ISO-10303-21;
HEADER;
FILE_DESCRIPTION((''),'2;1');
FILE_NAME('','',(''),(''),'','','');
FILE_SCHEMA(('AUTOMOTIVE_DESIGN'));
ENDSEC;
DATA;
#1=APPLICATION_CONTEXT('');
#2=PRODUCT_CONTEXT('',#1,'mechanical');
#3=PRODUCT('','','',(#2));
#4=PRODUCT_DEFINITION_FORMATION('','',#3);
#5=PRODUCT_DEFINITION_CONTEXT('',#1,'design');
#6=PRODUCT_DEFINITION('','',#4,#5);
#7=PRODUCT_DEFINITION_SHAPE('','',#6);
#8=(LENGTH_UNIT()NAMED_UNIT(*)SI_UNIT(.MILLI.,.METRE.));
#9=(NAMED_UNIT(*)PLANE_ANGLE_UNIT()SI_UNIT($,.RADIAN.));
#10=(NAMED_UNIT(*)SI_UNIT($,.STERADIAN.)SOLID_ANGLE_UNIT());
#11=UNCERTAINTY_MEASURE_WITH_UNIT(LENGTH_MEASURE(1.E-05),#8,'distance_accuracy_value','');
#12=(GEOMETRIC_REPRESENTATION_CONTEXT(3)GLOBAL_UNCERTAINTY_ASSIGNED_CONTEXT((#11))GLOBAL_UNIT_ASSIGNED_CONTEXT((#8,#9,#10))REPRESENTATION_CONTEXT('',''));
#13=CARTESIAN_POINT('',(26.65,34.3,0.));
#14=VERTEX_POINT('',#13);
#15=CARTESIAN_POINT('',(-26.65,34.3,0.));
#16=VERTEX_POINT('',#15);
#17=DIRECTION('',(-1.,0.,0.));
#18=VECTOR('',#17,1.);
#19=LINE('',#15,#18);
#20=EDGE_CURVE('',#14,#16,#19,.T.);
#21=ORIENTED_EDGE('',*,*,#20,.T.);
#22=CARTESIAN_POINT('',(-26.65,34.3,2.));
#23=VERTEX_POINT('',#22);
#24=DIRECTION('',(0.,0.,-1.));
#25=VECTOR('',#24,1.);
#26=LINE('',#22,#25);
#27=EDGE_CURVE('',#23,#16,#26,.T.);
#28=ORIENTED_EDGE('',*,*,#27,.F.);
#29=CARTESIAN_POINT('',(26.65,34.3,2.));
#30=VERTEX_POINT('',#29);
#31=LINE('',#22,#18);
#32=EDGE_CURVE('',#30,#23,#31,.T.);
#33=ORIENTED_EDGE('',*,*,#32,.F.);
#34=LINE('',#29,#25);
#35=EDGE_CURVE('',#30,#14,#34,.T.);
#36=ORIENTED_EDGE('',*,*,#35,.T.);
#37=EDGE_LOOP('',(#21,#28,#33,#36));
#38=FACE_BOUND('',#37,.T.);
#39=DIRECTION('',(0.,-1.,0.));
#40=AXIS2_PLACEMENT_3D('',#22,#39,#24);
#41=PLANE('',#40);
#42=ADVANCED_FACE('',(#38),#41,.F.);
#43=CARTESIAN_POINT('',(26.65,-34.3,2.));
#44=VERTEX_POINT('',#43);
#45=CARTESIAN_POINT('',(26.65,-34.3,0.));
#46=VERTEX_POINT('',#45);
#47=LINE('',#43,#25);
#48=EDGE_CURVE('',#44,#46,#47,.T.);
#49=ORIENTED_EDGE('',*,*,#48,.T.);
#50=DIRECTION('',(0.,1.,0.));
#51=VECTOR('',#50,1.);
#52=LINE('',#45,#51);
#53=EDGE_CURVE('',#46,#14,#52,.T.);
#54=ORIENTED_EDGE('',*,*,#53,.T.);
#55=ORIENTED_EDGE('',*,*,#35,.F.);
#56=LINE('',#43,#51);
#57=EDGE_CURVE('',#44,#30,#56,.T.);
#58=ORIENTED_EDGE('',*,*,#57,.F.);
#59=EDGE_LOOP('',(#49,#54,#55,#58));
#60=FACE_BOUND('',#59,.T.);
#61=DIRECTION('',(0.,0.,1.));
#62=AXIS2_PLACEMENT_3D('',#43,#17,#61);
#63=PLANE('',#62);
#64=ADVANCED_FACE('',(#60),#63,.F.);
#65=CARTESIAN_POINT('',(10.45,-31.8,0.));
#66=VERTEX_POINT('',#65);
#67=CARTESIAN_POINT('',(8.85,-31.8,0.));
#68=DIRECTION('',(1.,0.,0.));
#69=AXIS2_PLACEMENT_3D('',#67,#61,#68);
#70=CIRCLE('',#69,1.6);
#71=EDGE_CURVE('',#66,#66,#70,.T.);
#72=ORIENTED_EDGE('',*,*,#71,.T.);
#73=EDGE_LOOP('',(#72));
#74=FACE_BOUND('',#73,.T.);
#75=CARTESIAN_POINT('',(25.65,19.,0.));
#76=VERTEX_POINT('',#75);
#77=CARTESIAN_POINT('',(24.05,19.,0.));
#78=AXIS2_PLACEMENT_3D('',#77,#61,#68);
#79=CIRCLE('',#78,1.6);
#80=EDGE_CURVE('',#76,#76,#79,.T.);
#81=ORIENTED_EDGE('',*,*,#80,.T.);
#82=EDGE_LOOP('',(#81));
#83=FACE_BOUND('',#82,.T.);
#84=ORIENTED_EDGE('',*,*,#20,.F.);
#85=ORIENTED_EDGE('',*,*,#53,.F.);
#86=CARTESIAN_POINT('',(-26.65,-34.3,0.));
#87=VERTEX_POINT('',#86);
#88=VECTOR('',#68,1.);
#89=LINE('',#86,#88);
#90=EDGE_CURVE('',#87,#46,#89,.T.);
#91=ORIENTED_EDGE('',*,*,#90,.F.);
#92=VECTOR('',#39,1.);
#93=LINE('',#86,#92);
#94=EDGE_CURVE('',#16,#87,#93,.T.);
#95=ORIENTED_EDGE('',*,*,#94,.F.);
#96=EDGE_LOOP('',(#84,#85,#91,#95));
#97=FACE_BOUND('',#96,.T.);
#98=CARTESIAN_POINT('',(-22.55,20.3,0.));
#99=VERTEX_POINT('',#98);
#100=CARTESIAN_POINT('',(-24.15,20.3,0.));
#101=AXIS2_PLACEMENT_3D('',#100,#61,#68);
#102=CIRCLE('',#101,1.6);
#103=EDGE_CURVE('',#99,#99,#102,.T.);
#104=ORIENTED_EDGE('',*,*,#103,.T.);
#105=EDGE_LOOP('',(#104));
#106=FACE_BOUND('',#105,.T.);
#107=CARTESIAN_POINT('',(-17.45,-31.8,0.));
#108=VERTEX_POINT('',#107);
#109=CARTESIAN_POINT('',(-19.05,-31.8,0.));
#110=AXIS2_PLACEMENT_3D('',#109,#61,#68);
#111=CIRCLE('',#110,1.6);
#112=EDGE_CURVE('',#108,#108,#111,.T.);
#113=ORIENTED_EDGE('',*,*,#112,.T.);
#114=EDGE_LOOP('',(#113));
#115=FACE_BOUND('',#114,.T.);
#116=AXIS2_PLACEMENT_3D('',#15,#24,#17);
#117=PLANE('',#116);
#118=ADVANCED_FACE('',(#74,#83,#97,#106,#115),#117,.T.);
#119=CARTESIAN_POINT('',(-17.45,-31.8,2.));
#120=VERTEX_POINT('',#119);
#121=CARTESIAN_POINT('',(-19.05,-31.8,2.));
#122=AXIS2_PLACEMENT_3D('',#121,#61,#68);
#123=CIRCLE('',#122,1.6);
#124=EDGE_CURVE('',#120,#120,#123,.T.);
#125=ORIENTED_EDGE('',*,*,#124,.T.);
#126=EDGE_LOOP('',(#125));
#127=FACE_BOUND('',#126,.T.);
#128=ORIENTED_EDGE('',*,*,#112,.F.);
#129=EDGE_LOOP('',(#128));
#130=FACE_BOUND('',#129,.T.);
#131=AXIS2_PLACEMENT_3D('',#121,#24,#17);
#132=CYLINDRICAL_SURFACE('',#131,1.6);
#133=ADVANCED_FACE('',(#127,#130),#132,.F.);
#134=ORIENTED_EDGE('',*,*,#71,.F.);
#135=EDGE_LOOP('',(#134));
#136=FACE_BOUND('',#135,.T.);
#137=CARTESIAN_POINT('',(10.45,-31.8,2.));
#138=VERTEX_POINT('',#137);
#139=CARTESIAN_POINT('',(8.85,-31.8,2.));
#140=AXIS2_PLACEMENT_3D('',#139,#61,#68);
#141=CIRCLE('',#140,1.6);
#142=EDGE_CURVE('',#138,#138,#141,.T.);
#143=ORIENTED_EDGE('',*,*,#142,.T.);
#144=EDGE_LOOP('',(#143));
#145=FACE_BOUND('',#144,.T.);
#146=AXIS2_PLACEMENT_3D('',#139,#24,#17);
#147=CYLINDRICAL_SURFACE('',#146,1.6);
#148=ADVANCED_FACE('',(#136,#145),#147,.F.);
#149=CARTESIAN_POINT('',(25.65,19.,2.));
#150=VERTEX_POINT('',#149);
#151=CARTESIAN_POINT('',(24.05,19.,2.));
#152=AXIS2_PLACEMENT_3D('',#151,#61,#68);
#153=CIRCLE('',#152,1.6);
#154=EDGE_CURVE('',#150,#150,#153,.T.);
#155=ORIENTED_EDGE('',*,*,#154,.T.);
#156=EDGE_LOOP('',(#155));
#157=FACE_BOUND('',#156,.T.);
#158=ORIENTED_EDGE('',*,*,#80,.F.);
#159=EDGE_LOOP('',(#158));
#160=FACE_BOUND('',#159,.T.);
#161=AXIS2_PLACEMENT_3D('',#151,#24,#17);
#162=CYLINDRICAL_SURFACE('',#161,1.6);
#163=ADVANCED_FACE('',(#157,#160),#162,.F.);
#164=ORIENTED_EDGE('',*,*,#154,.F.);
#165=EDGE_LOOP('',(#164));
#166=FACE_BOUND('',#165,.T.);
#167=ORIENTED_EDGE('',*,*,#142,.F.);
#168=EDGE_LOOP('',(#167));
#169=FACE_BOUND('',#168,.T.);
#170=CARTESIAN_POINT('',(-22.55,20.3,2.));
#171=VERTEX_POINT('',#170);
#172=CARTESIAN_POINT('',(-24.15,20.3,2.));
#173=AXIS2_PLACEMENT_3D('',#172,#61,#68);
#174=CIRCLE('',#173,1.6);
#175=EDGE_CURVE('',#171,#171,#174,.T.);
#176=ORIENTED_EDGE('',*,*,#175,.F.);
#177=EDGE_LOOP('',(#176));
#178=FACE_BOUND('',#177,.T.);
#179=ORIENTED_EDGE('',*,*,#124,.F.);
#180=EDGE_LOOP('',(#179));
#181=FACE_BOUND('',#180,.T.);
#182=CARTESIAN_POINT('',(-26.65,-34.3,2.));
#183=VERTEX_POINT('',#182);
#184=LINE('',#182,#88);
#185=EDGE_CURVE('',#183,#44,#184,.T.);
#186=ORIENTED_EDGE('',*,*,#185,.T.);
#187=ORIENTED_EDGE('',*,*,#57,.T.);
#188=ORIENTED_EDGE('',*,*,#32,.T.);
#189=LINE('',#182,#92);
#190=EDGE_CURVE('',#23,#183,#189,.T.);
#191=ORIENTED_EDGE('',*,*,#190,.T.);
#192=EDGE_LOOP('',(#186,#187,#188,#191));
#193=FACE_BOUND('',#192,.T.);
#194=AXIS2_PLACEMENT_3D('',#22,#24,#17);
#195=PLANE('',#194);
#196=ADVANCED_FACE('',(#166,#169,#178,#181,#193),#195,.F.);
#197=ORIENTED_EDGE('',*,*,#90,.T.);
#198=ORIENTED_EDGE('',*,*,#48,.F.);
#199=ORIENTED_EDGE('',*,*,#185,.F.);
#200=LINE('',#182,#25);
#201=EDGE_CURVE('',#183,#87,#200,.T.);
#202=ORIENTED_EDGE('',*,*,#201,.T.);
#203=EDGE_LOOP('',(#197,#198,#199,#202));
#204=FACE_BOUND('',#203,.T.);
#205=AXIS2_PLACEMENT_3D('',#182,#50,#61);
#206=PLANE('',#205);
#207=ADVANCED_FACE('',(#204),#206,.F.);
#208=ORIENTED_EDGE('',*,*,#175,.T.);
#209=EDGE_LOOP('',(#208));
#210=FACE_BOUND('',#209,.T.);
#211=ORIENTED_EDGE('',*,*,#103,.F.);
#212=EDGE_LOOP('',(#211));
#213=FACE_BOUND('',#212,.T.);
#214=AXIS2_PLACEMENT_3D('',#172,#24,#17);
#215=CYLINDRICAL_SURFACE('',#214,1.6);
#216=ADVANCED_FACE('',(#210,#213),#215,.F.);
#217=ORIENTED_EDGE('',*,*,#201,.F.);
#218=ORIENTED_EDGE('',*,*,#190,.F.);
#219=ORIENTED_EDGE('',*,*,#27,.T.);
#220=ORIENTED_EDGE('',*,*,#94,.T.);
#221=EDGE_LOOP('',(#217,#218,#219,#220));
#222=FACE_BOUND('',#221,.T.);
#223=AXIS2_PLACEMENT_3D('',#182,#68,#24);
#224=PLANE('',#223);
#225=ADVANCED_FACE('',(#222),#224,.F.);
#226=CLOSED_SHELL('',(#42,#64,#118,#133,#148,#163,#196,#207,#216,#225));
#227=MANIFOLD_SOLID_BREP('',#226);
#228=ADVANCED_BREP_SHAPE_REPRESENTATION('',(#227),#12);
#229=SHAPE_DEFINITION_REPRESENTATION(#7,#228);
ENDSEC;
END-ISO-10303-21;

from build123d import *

# Parameters (mm, degrees)
SKETCH1_W           = 53.3
SKETCH1_H           = 68.6
SKETCH1_R           = 1.6
BOSS_EXTRUDE1_DEPTH = 2


with BuildPart() as part:
    # Sketch1 → Boss-Extrude1 (new body)
    with BuildSketch(Plane.XY):
        Rectangle(SKETCH1_W, SKETCH1_H)
        with Locations((-19.05, -31.8)):
            Circle(SKETCH1_R, mode=Mode.SUBTRACT)
        with Locations((-24.15, 20.3)):
            Circle(SKETCH1_R, mode=Mode.SUBTRACT)
        with Locations((24.05, 19)):
            Circle(SKETCH1_R, mode=Mode.SUBTRACT)
        with Locations((8.85, -31.8)):
            Circle(SKETCH1_R, mode=Mode.SUBTRACT)
    extrude(amount=BOSS_EXTRUDE1_DEPTH)


solid = part.part
